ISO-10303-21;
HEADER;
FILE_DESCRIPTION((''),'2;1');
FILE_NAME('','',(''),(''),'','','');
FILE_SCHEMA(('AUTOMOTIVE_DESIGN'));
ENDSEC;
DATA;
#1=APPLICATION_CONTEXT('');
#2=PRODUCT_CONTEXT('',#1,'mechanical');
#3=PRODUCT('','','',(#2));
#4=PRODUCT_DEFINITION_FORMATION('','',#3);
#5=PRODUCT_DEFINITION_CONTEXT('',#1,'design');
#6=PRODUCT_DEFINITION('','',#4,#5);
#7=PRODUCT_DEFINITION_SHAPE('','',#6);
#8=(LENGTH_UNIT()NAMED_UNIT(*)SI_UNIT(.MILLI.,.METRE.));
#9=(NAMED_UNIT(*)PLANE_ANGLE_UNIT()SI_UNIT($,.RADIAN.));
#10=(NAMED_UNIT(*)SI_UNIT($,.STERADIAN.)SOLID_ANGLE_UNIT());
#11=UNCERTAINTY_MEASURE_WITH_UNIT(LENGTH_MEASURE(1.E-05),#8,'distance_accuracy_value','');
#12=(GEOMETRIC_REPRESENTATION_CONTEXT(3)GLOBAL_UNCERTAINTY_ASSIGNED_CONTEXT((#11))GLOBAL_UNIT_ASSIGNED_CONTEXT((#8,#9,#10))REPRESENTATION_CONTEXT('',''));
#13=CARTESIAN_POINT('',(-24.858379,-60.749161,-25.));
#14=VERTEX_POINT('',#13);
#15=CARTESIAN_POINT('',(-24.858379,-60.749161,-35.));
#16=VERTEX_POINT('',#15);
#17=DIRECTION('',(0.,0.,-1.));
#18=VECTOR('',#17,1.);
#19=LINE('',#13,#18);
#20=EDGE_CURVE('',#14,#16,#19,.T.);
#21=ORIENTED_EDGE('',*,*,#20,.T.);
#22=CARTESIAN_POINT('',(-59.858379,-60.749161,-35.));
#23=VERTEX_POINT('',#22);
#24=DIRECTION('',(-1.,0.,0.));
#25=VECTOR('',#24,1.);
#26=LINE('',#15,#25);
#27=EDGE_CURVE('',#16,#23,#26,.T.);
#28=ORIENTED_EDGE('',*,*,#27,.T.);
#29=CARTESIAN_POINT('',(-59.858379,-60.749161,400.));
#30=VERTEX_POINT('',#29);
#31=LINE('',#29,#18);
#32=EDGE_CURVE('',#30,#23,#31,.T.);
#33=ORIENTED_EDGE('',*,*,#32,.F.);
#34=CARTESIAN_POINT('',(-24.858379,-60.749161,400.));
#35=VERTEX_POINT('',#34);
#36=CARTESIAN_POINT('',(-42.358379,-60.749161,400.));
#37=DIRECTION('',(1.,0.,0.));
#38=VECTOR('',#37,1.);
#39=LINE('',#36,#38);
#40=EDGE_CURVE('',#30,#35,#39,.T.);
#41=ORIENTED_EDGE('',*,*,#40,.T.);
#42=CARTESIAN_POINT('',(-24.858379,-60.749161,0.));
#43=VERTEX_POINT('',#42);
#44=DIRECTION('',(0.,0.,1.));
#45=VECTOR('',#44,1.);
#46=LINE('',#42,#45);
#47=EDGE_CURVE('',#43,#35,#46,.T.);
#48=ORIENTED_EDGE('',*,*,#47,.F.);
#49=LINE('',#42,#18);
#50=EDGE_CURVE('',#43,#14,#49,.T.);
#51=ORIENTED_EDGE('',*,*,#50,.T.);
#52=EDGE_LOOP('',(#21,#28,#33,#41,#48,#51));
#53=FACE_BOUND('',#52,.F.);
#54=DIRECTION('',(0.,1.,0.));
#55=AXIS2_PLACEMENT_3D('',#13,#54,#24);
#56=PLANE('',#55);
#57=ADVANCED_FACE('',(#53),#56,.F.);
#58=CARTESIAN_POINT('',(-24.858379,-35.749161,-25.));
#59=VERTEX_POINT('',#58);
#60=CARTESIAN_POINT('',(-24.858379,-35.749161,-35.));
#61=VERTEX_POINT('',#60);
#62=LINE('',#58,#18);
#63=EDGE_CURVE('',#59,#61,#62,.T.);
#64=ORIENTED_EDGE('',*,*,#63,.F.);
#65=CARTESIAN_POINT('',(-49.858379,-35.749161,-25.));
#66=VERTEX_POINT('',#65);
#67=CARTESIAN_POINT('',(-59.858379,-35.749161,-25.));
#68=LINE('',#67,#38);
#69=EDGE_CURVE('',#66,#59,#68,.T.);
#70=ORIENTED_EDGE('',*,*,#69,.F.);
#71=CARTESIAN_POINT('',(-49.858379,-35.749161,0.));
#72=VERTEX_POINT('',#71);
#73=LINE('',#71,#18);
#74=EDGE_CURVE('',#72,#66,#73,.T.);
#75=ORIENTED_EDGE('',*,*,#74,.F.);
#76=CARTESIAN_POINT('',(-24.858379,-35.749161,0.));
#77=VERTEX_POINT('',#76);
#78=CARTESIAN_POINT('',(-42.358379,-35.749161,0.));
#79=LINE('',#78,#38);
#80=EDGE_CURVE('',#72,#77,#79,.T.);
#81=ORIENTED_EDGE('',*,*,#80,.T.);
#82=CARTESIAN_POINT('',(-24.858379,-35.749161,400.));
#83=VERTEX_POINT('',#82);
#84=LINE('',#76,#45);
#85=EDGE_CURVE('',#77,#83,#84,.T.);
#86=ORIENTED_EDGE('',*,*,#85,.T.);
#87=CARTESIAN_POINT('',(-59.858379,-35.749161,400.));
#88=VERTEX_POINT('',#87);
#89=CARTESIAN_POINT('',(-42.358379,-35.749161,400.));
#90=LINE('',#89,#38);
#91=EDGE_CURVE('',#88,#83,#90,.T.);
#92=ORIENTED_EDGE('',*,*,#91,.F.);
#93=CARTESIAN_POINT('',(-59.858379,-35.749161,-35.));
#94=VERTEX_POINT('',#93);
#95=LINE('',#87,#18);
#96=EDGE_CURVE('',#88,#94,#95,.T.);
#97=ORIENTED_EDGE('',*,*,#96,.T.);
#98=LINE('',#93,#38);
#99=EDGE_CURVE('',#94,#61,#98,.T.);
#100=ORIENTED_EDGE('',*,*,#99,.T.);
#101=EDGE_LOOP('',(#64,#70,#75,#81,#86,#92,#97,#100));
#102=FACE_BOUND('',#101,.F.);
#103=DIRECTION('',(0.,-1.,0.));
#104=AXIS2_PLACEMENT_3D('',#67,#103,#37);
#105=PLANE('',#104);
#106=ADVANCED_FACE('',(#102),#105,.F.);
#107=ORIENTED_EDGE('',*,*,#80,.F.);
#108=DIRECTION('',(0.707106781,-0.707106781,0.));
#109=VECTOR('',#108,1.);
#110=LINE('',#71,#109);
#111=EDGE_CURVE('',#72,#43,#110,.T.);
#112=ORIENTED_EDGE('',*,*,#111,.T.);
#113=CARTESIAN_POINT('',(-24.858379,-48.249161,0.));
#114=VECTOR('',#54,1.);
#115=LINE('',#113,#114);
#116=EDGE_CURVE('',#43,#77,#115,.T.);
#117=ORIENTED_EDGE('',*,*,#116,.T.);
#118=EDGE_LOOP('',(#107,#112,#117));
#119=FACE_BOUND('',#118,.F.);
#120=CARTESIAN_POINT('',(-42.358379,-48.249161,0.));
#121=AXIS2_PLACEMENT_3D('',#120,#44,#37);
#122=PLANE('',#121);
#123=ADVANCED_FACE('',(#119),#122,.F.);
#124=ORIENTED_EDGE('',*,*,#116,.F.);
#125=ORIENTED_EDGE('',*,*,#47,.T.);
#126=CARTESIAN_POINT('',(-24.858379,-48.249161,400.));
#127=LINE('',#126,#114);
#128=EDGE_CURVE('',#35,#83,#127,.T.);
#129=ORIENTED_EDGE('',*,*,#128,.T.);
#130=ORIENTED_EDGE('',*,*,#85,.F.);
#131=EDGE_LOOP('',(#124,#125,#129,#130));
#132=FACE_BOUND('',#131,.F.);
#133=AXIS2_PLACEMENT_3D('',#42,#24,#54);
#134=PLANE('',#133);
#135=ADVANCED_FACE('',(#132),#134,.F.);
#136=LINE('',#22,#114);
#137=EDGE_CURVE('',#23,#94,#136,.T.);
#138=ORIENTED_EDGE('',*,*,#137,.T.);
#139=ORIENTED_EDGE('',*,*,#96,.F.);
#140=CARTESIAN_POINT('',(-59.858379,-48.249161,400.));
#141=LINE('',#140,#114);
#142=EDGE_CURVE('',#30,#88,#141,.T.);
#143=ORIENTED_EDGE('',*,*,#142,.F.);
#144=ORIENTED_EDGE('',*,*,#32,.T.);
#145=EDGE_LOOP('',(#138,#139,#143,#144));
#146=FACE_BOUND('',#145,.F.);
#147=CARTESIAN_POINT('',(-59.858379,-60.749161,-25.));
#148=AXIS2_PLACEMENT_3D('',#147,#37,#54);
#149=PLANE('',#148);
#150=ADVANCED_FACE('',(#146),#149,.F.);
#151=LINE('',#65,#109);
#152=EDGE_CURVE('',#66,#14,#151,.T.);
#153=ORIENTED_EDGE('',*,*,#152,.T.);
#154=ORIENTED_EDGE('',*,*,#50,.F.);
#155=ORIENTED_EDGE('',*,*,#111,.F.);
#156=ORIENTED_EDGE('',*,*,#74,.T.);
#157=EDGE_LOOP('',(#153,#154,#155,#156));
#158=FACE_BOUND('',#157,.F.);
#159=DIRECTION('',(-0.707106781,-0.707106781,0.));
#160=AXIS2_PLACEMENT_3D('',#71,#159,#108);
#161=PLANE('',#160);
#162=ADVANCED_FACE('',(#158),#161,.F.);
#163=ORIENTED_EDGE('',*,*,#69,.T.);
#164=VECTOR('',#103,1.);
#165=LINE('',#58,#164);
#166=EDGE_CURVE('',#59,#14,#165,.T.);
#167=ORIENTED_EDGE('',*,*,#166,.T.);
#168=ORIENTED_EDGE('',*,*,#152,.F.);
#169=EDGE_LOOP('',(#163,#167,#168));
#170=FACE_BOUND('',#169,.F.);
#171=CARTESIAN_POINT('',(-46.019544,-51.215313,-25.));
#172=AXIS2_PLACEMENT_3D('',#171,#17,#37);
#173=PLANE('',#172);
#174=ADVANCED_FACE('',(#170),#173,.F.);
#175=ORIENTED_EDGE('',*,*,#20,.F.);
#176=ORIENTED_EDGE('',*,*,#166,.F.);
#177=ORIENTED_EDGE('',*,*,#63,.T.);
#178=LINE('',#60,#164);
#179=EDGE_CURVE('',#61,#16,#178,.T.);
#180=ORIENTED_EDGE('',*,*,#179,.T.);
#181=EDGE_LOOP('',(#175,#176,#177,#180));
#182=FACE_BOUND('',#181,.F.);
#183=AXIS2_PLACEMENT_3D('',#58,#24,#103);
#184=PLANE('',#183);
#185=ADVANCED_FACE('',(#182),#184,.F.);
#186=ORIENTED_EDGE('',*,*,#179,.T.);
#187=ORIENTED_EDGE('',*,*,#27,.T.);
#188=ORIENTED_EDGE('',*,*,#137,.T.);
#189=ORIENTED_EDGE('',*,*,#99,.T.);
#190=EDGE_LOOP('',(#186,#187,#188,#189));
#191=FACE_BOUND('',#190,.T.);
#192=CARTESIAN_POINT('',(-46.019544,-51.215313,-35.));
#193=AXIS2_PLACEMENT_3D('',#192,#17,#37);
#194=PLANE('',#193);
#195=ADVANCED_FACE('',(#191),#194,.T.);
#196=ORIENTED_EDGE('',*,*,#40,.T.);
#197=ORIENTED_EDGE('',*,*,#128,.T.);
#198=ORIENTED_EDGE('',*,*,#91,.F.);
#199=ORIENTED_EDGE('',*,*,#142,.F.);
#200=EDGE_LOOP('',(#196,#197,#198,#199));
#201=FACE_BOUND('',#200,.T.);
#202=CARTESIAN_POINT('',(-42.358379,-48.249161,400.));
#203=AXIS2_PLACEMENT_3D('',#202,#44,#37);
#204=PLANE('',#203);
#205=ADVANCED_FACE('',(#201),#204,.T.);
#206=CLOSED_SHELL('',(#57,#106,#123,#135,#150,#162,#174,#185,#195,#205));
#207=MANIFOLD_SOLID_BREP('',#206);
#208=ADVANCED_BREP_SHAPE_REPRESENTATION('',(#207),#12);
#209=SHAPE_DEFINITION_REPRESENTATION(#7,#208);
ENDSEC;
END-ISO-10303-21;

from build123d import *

# Parameters (mm, degrees)
F0_W     = 35
F0_H     = 25
F1_DEPTH = 400
F3_DEPTH = 25
F5_DEPTH = 10


with BuildPart() as f1:
    # F0 (on Top) → F1 (new body)
    with BuildSketch(Plane.XY):
        with Locations((-42.358379, -48.249161)):
            Rectangle(F0_W, F0_H)
    extrude(amount=F1_DEPTH)

    # F2 (on face) → F3 (join)
    with BuildSketch(Plane(origin=(0, 0, 0), x_dir=(1, 0, 0), z_dir=(0, 0, -1))):
        Polygon((-49.858379, 35.749161), (-24.858379, 60.749161), (-59.858379, 60.749161), (-59.858379, 35.749161), align=None)
    extrude(amount=F3_DEPTH)

    # F4 (on face) → F5 (join)
    with BuildSketch(Plane(origin=(0, 0, -25), x_dir=(1, 0, 0), z_dir=(0, 0, -1))):
        Polygon((-24.858379, 60.749161), (-59.858379, 60.749161), (-59.858379, 35.749161), (-49.858379, 35.749161), align=None)
        Polygon((-24.858379, 35.749161), (-24.858379, 60.749161), (-49.858379, 35.749161), align=None)
    extrude(amount=F5_DEPTH)


solid = f1.part
